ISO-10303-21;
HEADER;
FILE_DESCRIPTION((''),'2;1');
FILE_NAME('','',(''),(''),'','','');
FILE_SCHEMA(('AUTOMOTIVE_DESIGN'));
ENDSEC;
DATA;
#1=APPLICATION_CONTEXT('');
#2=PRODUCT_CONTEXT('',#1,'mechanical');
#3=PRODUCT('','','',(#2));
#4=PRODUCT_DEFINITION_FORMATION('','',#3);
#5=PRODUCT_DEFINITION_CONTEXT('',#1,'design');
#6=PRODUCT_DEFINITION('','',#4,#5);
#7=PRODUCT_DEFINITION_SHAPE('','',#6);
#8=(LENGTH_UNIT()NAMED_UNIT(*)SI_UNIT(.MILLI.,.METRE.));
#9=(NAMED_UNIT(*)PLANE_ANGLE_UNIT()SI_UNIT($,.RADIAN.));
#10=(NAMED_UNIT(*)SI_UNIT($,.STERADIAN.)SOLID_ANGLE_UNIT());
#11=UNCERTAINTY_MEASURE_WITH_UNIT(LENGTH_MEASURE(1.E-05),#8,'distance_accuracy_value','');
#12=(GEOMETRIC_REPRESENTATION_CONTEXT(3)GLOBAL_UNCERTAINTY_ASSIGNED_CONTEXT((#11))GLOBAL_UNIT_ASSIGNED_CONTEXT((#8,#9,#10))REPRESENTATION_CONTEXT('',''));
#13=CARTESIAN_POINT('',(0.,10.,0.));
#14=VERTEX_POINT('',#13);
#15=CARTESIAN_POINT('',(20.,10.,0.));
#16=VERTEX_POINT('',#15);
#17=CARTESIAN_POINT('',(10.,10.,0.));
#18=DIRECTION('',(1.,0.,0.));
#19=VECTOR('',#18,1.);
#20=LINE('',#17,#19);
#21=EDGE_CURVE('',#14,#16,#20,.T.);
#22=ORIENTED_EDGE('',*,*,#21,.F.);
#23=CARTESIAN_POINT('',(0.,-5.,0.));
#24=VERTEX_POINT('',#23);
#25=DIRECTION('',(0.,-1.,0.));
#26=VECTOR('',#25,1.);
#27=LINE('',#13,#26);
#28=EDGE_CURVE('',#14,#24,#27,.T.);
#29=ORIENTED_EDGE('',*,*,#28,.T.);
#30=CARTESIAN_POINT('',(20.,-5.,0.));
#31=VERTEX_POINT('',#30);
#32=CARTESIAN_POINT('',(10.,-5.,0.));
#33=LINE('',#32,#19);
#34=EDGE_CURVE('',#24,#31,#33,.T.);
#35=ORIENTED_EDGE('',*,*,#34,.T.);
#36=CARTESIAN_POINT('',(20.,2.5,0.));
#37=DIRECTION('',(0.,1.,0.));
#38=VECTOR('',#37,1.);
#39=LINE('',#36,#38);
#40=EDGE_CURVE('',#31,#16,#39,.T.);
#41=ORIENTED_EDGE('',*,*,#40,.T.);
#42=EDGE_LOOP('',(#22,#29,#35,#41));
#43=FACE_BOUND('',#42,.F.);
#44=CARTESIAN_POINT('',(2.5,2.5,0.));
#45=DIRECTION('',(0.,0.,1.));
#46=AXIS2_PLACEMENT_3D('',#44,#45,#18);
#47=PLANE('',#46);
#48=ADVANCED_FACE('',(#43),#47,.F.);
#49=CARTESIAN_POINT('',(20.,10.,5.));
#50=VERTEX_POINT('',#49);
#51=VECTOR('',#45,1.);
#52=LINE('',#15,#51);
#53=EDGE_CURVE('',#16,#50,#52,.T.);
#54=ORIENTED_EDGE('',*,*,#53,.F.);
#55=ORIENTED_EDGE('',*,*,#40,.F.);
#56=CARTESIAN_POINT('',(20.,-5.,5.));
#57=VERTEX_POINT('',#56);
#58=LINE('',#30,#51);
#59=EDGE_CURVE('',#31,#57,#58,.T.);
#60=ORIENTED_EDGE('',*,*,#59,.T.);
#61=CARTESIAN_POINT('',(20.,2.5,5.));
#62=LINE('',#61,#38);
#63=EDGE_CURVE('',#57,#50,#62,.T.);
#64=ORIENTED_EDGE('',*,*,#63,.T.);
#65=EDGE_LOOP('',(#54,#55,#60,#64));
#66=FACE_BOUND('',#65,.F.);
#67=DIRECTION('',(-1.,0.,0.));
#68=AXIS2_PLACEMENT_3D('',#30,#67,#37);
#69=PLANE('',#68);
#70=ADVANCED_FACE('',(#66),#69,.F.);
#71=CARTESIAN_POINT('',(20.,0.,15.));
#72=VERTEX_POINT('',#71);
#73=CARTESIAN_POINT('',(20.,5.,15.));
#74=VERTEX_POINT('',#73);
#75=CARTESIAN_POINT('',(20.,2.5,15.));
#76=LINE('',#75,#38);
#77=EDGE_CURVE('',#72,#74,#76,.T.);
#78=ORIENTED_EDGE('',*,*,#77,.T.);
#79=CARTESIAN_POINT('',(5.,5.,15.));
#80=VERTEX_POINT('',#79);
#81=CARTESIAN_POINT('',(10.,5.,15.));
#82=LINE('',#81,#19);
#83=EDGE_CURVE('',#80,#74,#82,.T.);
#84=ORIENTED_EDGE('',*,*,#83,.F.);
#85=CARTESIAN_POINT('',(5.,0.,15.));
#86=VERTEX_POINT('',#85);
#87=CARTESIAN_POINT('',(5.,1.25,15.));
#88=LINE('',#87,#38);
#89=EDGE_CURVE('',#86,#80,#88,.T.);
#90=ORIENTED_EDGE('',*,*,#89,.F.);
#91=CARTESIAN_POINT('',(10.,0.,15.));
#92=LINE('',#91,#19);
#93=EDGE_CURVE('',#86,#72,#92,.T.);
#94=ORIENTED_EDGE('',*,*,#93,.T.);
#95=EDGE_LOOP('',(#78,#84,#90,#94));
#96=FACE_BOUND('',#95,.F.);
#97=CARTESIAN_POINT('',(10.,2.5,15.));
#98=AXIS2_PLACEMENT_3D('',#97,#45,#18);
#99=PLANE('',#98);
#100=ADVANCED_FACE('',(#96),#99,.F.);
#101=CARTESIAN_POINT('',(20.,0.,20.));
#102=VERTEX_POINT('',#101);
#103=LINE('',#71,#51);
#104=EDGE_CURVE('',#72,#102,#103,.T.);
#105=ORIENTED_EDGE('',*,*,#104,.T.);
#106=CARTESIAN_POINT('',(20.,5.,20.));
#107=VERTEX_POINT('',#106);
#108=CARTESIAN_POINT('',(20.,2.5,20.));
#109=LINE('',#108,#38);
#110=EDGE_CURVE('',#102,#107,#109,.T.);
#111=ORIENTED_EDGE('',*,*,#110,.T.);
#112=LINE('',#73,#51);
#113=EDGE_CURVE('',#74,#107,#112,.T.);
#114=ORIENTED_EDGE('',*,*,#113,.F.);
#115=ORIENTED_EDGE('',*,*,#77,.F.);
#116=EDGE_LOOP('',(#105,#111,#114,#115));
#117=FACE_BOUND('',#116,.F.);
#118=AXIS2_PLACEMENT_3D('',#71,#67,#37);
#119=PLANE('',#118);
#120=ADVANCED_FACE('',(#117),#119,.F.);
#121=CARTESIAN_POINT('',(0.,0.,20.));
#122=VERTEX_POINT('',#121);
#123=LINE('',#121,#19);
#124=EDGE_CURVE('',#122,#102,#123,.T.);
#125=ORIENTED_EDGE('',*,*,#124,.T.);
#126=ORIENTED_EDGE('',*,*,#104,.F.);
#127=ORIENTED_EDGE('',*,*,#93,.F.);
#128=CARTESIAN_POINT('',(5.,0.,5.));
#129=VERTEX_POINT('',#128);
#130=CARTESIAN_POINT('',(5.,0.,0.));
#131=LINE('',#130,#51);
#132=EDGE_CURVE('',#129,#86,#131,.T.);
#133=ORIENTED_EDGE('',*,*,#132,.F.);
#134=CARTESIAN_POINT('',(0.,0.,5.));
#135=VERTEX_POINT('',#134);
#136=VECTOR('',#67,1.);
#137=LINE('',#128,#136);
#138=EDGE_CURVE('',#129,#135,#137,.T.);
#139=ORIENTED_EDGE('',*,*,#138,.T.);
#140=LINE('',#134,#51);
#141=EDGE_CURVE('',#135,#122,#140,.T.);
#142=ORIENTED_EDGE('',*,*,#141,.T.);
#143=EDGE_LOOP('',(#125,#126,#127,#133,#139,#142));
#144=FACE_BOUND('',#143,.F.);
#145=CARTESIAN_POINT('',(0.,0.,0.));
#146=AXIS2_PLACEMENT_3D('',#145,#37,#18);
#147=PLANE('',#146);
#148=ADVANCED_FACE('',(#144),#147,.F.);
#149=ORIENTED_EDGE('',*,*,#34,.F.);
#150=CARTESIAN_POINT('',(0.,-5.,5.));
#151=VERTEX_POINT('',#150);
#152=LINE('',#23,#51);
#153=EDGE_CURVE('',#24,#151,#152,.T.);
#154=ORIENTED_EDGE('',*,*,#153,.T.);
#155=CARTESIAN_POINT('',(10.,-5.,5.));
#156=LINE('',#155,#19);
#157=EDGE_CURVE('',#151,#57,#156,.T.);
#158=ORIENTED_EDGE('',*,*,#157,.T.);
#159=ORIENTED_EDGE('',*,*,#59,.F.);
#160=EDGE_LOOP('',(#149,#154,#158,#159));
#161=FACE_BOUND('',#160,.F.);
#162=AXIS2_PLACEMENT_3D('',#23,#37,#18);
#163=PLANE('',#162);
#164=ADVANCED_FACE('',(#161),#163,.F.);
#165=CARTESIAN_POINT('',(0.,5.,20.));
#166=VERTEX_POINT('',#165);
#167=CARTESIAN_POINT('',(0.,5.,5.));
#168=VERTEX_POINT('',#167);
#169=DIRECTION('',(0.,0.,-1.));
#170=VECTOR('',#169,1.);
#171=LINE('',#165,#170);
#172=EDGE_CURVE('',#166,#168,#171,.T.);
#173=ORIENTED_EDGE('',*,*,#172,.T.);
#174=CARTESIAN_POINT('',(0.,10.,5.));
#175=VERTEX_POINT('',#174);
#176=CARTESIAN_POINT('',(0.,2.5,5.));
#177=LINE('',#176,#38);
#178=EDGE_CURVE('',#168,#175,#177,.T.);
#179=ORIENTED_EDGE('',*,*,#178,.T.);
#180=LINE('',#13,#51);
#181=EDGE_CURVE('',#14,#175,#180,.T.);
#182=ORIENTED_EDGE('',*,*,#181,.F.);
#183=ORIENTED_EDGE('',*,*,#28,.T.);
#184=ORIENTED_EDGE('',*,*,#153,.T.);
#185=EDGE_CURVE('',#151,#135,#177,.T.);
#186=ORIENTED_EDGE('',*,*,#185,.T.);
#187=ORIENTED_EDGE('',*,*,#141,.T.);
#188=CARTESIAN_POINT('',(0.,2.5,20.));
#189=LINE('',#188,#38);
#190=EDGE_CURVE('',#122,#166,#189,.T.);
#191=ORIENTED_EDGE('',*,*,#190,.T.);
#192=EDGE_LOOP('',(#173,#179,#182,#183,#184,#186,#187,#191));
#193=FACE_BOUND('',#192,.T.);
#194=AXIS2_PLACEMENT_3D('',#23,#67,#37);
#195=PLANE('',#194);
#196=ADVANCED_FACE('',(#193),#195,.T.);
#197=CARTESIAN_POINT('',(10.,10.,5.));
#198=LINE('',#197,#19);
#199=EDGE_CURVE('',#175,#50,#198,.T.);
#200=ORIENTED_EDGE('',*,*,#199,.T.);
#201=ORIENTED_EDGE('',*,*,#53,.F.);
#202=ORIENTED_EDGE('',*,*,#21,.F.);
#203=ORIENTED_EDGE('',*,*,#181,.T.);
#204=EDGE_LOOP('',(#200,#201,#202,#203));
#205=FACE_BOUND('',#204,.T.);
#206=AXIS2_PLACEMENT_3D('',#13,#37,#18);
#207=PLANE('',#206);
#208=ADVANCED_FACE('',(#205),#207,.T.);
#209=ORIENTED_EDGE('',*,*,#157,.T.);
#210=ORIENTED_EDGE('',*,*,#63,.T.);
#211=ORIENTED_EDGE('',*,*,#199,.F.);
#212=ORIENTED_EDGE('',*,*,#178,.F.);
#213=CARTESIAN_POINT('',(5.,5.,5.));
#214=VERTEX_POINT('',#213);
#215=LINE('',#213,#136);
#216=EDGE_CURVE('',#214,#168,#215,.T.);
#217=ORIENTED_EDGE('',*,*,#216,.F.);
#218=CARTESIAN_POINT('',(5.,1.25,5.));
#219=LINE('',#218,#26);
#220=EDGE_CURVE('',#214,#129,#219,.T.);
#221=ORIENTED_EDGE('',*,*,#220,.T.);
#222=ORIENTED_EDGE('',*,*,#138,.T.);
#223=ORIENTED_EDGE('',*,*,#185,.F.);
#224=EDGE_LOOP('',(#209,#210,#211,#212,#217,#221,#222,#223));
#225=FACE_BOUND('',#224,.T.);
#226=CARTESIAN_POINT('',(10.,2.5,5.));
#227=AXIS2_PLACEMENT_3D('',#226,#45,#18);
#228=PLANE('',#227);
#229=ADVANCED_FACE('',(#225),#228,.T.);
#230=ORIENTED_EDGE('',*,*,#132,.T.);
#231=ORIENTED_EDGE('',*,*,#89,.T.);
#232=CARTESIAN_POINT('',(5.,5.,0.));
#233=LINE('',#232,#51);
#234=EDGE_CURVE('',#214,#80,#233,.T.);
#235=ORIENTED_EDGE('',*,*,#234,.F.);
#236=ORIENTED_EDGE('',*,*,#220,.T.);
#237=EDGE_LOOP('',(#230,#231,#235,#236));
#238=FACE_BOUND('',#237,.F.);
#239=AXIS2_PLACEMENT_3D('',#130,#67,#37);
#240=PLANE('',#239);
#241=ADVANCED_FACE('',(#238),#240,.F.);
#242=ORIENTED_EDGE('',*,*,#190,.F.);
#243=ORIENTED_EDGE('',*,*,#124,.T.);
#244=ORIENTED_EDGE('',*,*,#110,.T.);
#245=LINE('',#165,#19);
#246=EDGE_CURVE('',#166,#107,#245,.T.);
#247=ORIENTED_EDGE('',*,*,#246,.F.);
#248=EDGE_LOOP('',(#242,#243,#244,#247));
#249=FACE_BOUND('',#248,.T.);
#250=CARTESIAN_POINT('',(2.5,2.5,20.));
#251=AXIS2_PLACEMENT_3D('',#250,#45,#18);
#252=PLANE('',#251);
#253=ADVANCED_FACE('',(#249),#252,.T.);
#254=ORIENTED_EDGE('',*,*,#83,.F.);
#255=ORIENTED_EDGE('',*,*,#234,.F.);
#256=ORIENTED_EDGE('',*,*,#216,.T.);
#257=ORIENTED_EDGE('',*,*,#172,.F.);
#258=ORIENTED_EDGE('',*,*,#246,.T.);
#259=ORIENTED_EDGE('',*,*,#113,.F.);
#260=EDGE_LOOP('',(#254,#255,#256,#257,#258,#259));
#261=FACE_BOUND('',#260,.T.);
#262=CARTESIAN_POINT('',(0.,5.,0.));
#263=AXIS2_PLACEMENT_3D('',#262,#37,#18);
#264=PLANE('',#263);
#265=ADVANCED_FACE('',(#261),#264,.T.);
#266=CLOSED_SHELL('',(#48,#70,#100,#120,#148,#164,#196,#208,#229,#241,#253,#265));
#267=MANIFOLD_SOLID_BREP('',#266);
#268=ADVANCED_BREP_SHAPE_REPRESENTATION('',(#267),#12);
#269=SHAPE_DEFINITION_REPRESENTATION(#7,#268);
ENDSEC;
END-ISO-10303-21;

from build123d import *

# Parameters (mm, degrees)
BOX001_W     = 5
BOX001_H     = 5
BOX001_DEPTH = 20
BOX002_W     = 20
BOX002_H     = 5
BOX002_DEPTH = 5
BOX_W        = 20
BOX_H        = 15
BOX_DEPTH    = 5


with BuildPart() as cube001:
    # Box001 → Box001 (new body)
    with BuildSketch(Plane.XY):
        with Locations((2.5, 2.5)):
            Rectangle(BOX001_W, BOX001_H)
    extrude(amount=BOX001_DEPTH)


with BuildPart() as cube002:
    # Box002 → Box002 (new body)
    with BuildSketch(Plane.XY.offset(15)):
        with Locations((10, 2.5)):
            Rectangle(BOX002_W, BOX002_H)
    extrude(amount=BOX002_DEPTH)


with BuildPart() as fusion:
    # Box → Box (new body)
    with BuildSketch(Plane(origin=(0, -5, 0), x_dir=(1, 0, 0), z_dir=(0, 0, 1))):
        with Locations((10, 7.5)):
            Rectangle(BOX_W, BOX_H)
    extrude(amount=BOX_DEPTH)

    # Fusion: union Cube001, Cube002
    add(cube001.part)
    add(cube002.part)


solid = fusion.part
